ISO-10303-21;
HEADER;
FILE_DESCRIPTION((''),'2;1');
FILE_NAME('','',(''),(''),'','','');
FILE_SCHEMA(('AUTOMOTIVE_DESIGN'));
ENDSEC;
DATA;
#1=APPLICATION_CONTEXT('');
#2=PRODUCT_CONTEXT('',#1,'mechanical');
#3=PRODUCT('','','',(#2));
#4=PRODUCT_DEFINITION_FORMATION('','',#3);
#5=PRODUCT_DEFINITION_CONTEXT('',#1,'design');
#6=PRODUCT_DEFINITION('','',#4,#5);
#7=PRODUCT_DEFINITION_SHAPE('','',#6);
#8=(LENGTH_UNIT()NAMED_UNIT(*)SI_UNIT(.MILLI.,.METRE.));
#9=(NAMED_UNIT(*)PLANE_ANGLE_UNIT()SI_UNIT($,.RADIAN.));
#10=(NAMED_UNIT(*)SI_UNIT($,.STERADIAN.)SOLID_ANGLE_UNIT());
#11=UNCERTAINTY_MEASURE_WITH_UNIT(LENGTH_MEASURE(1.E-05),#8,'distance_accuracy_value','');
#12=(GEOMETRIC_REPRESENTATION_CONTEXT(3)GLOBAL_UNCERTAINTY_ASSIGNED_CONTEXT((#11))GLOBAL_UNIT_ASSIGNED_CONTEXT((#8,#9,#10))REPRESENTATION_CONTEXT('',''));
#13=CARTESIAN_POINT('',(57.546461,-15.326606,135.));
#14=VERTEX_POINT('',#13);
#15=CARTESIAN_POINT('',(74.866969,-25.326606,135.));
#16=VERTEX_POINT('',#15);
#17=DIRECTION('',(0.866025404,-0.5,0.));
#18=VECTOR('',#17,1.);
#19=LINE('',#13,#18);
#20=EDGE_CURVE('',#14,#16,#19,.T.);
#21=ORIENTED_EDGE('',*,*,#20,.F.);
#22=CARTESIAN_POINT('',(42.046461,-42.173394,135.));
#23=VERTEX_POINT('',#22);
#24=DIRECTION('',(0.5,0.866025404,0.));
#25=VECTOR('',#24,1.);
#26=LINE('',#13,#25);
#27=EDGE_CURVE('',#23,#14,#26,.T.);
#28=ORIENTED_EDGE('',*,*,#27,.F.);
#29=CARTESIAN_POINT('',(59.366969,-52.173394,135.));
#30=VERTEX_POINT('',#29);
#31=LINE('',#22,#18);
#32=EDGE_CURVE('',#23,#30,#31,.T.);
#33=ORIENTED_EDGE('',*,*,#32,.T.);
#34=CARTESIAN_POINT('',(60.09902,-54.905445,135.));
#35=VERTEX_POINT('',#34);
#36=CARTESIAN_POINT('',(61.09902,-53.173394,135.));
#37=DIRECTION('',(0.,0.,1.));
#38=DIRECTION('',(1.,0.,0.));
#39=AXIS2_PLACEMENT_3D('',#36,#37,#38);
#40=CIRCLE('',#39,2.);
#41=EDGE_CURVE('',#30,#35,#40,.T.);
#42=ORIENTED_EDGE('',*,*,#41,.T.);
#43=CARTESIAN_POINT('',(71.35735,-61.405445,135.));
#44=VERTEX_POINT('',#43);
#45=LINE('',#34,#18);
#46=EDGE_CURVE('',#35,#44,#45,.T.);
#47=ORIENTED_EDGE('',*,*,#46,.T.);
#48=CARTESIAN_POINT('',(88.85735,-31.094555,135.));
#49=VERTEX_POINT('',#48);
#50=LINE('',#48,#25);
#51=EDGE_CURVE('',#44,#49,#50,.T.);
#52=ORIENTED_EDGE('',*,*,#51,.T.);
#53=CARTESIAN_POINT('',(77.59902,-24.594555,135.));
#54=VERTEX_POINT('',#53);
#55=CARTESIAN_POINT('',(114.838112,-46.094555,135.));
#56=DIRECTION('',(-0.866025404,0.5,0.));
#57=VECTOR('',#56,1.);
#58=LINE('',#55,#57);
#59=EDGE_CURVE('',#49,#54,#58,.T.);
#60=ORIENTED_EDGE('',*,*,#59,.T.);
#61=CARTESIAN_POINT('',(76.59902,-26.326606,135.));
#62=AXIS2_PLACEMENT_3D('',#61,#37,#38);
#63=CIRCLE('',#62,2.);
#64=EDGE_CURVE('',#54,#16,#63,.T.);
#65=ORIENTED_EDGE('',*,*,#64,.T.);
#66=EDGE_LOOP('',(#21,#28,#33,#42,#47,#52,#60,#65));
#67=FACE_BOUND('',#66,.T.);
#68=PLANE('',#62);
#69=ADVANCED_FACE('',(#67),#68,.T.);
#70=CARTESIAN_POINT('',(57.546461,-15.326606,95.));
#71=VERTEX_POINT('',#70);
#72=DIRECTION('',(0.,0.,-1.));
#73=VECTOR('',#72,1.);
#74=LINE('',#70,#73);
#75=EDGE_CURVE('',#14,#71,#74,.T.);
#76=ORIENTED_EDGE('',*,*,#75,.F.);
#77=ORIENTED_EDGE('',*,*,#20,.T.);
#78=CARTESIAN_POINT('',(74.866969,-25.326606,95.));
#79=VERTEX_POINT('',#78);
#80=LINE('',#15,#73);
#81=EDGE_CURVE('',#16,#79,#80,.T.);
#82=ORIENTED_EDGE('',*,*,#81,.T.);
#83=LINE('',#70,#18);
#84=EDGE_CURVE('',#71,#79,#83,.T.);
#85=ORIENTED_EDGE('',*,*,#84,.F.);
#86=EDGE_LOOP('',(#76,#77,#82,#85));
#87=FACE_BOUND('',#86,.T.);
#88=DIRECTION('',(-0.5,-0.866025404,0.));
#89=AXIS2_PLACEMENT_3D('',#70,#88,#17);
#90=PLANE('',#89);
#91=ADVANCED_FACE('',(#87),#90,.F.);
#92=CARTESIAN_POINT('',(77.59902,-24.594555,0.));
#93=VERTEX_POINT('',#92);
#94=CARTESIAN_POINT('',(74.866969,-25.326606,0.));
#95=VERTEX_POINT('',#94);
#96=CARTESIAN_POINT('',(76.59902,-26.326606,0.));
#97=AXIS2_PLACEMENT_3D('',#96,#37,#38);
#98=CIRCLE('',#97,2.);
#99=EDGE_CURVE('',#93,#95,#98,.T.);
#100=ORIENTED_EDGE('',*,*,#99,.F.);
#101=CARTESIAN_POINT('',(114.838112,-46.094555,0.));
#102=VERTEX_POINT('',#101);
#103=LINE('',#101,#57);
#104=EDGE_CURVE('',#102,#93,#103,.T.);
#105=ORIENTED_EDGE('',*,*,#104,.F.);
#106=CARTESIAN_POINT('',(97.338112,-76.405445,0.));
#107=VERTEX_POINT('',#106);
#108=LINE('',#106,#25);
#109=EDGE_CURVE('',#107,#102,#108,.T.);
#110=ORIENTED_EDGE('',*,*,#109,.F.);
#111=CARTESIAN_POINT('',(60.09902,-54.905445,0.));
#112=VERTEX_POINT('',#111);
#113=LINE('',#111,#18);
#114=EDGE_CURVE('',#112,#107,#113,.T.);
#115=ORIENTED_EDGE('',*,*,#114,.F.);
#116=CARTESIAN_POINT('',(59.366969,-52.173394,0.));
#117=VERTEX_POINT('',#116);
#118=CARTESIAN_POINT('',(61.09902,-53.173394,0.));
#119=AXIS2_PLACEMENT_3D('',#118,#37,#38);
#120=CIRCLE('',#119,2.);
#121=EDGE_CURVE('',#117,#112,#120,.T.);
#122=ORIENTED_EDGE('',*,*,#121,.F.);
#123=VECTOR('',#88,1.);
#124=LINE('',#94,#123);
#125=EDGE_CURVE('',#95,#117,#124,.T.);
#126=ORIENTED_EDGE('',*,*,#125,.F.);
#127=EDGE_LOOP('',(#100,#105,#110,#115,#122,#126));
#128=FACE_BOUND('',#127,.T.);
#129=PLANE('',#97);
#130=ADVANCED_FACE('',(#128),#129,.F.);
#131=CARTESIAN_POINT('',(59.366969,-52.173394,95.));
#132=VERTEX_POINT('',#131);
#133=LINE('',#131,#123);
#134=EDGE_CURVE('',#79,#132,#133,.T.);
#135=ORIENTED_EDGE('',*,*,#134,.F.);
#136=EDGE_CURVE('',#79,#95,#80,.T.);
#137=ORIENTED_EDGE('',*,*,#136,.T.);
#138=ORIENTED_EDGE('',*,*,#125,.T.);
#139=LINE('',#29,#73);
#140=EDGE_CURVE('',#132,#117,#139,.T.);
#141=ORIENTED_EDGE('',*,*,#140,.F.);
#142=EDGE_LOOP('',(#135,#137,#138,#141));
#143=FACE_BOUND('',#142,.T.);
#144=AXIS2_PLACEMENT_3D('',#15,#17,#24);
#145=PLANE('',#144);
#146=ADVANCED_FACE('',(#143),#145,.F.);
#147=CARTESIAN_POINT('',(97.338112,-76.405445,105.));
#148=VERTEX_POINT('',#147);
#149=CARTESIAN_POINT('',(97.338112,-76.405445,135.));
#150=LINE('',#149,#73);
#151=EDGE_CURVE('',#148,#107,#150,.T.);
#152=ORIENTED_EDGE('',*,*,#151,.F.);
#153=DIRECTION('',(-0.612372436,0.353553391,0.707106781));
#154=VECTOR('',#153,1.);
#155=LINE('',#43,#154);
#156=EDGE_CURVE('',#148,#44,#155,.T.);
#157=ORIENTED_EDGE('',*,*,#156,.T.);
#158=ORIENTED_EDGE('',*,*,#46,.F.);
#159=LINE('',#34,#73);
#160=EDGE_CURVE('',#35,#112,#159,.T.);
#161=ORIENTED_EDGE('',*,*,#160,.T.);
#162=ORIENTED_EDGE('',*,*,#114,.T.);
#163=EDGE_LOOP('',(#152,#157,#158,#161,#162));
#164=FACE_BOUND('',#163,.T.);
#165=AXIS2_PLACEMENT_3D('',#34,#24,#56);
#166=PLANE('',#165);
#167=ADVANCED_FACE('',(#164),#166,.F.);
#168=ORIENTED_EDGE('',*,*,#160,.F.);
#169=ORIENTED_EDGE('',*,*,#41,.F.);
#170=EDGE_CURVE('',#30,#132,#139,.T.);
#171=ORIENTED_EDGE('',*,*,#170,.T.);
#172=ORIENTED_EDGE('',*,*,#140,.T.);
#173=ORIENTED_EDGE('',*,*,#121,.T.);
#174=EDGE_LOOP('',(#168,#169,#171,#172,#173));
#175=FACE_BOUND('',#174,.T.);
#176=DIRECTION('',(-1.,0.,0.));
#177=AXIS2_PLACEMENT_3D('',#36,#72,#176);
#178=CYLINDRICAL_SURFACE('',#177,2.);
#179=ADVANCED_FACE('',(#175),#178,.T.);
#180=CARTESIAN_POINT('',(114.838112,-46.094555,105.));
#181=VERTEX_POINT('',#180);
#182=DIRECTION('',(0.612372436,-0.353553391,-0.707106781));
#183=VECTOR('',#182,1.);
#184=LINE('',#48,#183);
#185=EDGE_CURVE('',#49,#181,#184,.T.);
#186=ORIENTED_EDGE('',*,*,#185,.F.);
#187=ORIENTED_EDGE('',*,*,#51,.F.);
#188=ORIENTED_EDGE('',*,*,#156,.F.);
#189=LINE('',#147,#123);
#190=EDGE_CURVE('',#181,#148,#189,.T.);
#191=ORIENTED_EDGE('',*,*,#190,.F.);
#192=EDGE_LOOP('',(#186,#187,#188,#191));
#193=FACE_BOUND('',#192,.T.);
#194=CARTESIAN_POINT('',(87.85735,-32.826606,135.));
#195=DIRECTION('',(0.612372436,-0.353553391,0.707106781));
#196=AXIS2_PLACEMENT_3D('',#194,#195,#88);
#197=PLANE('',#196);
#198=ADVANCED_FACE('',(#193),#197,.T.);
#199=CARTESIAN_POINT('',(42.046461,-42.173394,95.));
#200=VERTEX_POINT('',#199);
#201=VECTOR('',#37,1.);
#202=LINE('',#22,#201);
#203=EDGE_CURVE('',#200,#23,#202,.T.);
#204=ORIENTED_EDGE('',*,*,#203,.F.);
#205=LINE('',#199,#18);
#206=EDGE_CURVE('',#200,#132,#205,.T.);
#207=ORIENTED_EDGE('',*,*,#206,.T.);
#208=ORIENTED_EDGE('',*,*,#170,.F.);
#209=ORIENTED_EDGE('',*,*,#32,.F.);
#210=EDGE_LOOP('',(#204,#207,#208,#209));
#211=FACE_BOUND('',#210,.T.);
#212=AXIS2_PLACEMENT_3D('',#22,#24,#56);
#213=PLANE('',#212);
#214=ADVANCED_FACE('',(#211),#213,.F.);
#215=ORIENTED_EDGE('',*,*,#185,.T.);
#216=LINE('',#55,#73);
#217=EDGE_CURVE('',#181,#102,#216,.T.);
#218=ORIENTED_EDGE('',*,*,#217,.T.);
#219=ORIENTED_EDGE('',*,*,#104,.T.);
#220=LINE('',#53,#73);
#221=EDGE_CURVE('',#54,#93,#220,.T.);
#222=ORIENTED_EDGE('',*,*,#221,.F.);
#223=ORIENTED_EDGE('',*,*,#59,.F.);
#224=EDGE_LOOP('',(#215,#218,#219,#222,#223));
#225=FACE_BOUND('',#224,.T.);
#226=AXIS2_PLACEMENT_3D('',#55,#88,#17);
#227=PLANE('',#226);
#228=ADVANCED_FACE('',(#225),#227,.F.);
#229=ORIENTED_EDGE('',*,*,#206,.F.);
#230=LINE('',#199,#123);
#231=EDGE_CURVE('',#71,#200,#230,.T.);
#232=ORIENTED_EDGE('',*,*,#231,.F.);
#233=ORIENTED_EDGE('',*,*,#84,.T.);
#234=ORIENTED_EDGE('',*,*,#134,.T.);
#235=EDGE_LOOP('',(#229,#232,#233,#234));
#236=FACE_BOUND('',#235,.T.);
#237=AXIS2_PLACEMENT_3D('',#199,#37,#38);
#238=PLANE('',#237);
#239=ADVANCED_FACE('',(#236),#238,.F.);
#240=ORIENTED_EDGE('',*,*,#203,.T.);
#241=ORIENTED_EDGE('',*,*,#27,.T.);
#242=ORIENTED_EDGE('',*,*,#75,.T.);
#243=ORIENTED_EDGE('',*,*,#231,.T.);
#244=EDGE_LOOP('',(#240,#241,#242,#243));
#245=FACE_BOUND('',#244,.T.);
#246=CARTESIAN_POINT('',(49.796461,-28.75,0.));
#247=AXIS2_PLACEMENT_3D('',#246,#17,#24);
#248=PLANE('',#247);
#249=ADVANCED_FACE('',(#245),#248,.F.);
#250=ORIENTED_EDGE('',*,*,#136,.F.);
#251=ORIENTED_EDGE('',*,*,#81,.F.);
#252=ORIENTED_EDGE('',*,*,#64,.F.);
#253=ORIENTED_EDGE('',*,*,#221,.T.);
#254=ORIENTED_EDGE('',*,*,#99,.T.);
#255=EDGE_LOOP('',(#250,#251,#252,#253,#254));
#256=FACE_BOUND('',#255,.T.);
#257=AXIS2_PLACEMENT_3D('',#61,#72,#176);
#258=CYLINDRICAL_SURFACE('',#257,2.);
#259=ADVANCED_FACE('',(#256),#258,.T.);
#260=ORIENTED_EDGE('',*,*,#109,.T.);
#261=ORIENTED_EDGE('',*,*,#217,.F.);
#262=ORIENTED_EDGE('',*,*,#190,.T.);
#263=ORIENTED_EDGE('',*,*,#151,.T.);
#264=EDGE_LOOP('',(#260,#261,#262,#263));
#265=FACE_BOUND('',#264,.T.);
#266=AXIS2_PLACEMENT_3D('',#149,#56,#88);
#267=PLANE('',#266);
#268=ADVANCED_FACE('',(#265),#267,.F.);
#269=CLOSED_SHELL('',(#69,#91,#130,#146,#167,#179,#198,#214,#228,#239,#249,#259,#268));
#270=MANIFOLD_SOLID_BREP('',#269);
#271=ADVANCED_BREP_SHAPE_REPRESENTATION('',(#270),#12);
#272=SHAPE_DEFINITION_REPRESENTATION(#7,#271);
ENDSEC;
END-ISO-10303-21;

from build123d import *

# Parameters (mm, degrees)
BOSS_EXTRUDE1_DEPTH = 135
SKETCH3_W           = 40
SKETCH3_H           = 31
BOSS_EXTRUDE2_DEPTH = 20
CHAMFER1_SIZE       = 30


with BuildPart() as part:
    # Sketch2 → Boss-Extrude1 (new body)
    with BuildSketch(Plane.XY):
        with BuildLine():
            Line((114.838111964, -46.094555434), (77.599019601, -24.594555434))
            ThreePointArc((77.599019601, -24.594555434), (76.081381511, -24.394754589), (74.866968793, -25.326606241))
            Line((74.866968793, -25.326606241), (59.366968793, -52.173393759))
            ThreePointArc((59.366968793, -52.173393759), (59.167167948, -53.691031849), (60.099019601, -54.905444566))
            Line((60.099019601, -54.905444566), (97.338111964, -76.405444566))
            Line((97.338111964, -76.405444566), (114.838111964, -46.094555434))
        make_face()
    extrude(amount=BOSS_EXTRUDE1_DEPTH)

    # Sketch3 → Boss-Extrude2 (add)
    with BuildSketch(Plane(origin=(67.116968793, -38.75, 0), x_dir=(0, 0, 1), z_dir=(-0.866025404, 0.5, 0))):
        with Locations((115, 0)):
            Rectangle(SKETCH3_W, SKETCH3_H)
    extrude(amount=BOSS_EXTRUDE2_DEPTH)

    # Chamfer1
    chamfer1_edges = [part.edges().sort_by_distance(p)[0] for p in [
        (106.088111964, -61.25, 135),
    ]]
    chamfer(chamfer1_edges, length=CHAMFER1_SIZE)


solid = part.part
